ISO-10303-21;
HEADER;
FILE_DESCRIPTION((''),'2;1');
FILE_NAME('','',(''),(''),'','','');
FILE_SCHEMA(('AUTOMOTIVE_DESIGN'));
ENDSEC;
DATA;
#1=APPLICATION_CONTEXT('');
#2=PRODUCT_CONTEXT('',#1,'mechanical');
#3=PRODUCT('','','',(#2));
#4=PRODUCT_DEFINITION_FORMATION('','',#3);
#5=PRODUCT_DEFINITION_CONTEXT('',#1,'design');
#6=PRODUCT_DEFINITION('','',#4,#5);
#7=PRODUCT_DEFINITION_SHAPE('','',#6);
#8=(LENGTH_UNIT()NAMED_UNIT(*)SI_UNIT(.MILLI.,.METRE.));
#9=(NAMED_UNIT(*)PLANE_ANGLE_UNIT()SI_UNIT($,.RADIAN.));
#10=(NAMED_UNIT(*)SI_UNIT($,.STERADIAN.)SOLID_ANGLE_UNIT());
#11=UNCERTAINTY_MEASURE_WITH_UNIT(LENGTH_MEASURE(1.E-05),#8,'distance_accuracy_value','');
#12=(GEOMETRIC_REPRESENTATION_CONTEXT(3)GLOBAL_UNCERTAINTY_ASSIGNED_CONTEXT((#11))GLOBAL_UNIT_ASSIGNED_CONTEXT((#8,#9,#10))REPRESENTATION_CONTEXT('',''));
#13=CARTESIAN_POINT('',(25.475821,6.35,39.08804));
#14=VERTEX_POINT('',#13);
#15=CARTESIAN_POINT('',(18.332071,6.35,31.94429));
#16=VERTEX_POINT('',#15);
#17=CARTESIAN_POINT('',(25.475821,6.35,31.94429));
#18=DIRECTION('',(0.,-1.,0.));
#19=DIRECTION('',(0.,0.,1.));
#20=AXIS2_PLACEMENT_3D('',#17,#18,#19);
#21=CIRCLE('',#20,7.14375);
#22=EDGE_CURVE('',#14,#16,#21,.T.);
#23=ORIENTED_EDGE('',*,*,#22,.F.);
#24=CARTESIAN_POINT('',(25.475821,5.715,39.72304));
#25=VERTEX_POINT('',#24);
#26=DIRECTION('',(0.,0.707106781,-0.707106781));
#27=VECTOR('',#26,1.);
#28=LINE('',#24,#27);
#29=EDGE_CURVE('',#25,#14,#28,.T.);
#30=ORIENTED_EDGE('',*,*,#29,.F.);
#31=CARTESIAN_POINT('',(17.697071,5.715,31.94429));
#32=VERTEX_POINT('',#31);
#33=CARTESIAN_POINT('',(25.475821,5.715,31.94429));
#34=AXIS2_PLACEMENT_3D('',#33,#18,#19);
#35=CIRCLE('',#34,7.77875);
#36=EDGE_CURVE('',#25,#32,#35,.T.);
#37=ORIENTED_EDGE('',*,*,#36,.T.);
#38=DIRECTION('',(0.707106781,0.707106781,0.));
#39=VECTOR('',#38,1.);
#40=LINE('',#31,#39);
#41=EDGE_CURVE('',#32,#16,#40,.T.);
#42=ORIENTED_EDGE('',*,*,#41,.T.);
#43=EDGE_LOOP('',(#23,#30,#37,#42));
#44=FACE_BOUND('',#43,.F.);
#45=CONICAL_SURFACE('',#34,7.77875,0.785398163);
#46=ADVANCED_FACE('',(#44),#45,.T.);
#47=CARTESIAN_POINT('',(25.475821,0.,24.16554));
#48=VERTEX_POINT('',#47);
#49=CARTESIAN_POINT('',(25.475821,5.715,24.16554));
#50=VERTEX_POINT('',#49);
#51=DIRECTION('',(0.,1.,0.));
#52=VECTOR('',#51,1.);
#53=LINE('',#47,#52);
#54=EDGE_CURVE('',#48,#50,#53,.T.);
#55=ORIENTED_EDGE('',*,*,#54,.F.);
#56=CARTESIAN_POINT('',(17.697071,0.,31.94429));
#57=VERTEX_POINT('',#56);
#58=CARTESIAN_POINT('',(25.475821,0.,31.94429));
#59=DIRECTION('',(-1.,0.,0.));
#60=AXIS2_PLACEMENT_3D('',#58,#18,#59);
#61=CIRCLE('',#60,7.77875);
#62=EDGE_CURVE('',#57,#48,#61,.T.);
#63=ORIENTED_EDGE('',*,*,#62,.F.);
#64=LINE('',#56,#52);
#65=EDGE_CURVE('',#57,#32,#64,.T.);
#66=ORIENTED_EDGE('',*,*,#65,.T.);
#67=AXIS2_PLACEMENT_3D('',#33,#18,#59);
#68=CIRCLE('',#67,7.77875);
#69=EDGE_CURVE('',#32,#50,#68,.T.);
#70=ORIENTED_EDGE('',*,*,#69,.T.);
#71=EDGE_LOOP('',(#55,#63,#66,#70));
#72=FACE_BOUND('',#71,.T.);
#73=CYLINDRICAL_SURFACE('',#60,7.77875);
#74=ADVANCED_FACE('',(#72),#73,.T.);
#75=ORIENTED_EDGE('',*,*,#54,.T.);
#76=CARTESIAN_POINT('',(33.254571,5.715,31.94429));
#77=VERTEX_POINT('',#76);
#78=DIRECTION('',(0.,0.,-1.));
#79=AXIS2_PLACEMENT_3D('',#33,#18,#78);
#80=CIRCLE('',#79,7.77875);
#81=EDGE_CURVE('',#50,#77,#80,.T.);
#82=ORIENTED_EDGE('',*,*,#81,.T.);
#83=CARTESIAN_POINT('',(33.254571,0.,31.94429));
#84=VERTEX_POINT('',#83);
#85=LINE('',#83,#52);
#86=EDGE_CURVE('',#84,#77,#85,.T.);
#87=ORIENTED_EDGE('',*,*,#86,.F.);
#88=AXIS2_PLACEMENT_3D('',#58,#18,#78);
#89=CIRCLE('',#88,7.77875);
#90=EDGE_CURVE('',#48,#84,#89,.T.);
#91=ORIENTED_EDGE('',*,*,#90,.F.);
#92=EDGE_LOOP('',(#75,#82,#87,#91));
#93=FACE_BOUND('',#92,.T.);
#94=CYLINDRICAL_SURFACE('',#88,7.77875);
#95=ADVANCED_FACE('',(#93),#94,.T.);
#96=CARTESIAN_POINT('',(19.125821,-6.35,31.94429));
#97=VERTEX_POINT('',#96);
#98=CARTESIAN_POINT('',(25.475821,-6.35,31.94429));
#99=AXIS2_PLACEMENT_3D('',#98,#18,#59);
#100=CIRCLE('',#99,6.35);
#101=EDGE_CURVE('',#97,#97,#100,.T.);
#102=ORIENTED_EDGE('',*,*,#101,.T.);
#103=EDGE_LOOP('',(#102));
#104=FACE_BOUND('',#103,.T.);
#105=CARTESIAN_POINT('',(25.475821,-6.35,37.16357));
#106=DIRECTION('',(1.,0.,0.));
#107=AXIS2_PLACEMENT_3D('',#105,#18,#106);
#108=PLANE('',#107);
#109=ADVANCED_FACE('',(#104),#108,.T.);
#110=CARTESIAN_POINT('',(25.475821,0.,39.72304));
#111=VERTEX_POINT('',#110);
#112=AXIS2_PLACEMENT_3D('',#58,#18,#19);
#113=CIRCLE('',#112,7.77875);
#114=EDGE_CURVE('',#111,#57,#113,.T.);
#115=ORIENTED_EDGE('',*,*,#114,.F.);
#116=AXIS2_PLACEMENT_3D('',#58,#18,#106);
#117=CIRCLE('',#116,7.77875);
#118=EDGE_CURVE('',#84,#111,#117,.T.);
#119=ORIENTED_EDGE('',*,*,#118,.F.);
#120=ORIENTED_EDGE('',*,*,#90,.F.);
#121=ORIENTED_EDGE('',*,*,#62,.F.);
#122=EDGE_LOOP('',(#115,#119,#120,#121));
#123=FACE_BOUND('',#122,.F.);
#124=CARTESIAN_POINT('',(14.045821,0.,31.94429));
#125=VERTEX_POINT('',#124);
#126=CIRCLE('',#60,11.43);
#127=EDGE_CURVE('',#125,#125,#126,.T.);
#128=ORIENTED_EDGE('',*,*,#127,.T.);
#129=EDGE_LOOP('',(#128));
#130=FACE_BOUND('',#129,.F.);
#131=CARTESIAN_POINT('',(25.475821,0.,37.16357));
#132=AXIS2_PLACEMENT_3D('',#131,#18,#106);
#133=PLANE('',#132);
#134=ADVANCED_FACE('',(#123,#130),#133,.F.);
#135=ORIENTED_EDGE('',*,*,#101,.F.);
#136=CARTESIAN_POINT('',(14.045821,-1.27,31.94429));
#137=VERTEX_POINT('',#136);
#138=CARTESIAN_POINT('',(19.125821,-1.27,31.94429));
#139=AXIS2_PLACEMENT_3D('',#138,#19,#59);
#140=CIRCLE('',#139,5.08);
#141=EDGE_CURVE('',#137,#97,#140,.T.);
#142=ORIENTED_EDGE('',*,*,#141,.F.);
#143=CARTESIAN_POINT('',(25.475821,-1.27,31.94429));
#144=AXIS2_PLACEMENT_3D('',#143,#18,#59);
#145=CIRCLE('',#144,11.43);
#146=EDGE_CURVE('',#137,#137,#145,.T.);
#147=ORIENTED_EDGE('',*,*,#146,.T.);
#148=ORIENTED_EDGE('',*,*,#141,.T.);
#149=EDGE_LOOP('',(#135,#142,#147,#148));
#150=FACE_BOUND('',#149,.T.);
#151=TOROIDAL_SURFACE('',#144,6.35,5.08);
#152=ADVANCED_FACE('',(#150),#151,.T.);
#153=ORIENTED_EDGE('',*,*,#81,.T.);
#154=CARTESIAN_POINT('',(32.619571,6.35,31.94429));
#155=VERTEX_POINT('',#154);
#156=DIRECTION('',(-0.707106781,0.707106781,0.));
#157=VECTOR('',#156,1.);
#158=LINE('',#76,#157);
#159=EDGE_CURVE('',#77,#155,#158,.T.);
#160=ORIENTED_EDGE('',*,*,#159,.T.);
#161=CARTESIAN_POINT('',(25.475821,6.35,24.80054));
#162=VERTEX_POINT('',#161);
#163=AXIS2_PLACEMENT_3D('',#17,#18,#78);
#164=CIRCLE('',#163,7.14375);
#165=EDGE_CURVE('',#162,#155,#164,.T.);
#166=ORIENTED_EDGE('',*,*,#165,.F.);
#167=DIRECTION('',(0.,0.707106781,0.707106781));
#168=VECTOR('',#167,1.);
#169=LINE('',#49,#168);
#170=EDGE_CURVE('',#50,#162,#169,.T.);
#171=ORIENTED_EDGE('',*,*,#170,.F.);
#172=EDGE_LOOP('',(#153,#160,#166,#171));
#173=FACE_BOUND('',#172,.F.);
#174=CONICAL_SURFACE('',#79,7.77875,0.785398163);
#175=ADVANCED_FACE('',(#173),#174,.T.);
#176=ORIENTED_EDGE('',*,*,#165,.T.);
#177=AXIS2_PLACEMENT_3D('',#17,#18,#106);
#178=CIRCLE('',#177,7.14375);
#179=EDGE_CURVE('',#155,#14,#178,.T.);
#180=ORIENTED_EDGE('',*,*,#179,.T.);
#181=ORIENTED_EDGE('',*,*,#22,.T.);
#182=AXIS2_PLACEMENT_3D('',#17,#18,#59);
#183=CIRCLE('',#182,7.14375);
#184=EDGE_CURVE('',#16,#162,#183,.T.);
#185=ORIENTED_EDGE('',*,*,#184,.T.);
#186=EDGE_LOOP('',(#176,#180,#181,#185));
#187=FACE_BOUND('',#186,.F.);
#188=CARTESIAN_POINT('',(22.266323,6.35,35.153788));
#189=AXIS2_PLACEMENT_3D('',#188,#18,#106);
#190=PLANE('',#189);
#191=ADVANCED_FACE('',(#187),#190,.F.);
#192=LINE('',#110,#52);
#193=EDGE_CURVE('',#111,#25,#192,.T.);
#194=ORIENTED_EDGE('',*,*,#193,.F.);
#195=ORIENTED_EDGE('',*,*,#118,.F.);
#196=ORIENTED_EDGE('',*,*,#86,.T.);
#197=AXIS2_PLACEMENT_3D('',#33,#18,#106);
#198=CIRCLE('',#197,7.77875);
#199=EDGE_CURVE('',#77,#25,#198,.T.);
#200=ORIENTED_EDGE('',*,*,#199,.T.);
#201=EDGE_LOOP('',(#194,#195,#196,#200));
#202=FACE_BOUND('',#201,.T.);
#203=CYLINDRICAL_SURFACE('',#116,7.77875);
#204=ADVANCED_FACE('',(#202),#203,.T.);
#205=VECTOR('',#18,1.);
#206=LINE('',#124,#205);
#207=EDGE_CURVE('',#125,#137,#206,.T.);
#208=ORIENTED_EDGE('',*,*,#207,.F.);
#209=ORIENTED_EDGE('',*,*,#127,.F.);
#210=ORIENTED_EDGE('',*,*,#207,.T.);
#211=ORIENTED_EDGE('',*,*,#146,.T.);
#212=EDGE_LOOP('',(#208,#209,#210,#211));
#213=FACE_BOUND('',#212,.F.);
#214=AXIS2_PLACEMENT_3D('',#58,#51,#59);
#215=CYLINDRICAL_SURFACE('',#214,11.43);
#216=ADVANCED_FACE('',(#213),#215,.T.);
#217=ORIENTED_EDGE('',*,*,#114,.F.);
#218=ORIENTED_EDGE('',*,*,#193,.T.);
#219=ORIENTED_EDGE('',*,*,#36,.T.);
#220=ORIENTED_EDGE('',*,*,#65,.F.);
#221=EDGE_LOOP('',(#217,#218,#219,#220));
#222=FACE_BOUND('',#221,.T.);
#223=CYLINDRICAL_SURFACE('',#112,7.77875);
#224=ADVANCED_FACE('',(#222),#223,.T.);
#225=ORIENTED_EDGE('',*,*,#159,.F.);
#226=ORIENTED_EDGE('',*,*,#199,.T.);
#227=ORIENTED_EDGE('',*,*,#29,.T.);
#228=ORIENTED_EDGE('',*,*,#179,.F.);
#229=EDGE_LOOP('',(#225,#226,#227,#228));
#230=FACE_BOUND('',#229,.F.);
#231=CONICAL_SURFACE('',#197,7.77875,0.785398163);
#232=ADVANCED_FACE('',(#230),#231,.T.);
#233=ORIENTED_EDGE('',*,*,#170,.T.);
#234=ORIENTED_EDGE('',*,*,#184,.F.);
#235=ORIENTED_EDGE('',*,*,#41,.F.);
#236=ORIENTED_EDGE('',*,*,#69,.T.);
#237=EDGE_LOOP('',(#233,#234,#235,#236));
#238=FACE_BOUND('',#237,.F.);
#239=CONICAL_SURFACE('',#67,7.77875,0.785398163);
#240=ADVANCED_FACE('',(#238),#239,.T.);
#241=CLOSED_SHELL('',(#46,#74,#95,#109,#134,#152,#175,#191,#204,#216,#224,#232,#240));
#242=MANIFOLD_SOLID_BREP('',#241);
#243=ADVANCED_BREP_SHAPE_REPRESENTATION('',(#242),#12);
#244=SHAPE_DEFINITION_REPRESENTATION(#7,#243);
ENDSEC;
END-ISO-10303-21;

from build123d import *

# Parameters (mm, degrees)
F1_DEPTH  = 6.35
F2_SIZE   = 0.635
F1_FACE_R = 7.77875
F3_DEPTH  = 6.35
F4_R      = 5.08


with BuildPart() as f1:
    # F0 (on Front) → F1 (new body)
    with BuildSketch(Plane.XZ):
        with BuildLine():
            Line((25.4758205265, 31.9442898035), (25.4758205265, 39.7230398035))
            ThreePointArc((25.4758205265, 39.7230398035), (19.9754136523, 37.4446966777), (17.6970705265, 31.9442898035))
            Line((17.6970705265, 31.9442898035), (25.4758205265, 31.9442898035))
        make_face()
        with BuildLine():
            Line((25.4758205265, 31.9442898035), (33.2545705265, 31.9442898035))
            ThreePointArc((33.2545705265, 31.9442898035), (30.9762274006, 37.4446966777), (25.4758205265, 39.7230398035))
            Line((25.4758205265, 39.7230398035), (25.4758205265, 31.9442898035))
        make_face()
        with BuildLine():
            ThreePointArc((25.4758205265, 24.1655398035), (30.9762274006, 26.4438829294), (33.2545705265, 31.9442898035))
            Line((33.2545705265, 31.9442898035), (25.4758205265, 31.9442898035))
            Line((25.4758205265, 31.9442898035), (25.4758205265, 24.1655398035))
        make_face()
        with BuildLine():
            ThreePointArc((17.6970705265, 31.9442898035), (19.9754136523, 26.4438829294), (25.4758205265, 24.1655398035))
            Line((25.4758205265, 24.1655398035), (25.4758205265, 31.9442898035))
            Line((25.4758205265, 31.9442898035), (17.6970705265, 31.9442898035))
        make_face()
    extrude(amount=-F1_DEPTH)

    # F2
    f2_edges = [f1.edges().sort_by_distance(p)[0] for p in [
        (33.254571, 6.35, 31.94429),
    ]]
    chamfer(f2_edges, length=F2_SIZE)

    # F0 (on Front) + F1_face (on face) → F3 (join)
    with BuildSketch(Plane.XZ):
        with BuildLine():
            ThreePointArc((25.4758205265, 39.7230398035), (30.9762274006, 37.4446966777), (33.2545705265, 31.9442898035))
            Line((33.2545705265, 31.9442898035), (36.9058205265, 31.9442898035))
            ThreePointArc((36.9058205265, 31.9442898035), (25.4758205265, 43.3742898035), (14.0458205265, 31.9442898035))
            Line((14.0458205265, 31.9442898035), (17.6970705265, 31.9442898035))
            ThreePointArc((17.6970705265, 31.9442898035), (19.9754136523, 37.4446966777), (25.4758205265, 39.7230398035))
        make_face()
        with BuildLine():
            Line((36.9058205265, 31.9442898035), (33.2545705265, 31.9442898035))
            ThreePointArc((33.2545705265, 31.9442898035), (30.9762274006, 26.4438829294), (25.4758205265, 24.1655398035))
            ThreePointArc((25.4758205265, 24.1655398035), (19.9754136523, 26.4438829294), (17.6970705265, 31.9442898035))
            Line((17.6970705265, 31.9442898035), (14.0458205265, 31.9442898035))
            ThreePointArc((14.0458205265, 31.9442898035), (25.4758205265, 20.5142898035), (36.9058205265, 31.9442898035))
        make_face()
    with BuildSketch(Plane(origin=(25.4758205265, 0, 31.9442898035), x_dir=(1, 0, 0), z_dir=(0, -1, 0))):
        Circle(F1_FACE_R)
    extrude(amount=F3_DEPTH)

    # F4
    f4_edges = [f1.edges().sort_by_distance(p)[0] for p in [
        (36.905821, -6.35, 31.94429),
    ]]
    fillet(f4_edges, radius=F4_R)


solid = f1.part
